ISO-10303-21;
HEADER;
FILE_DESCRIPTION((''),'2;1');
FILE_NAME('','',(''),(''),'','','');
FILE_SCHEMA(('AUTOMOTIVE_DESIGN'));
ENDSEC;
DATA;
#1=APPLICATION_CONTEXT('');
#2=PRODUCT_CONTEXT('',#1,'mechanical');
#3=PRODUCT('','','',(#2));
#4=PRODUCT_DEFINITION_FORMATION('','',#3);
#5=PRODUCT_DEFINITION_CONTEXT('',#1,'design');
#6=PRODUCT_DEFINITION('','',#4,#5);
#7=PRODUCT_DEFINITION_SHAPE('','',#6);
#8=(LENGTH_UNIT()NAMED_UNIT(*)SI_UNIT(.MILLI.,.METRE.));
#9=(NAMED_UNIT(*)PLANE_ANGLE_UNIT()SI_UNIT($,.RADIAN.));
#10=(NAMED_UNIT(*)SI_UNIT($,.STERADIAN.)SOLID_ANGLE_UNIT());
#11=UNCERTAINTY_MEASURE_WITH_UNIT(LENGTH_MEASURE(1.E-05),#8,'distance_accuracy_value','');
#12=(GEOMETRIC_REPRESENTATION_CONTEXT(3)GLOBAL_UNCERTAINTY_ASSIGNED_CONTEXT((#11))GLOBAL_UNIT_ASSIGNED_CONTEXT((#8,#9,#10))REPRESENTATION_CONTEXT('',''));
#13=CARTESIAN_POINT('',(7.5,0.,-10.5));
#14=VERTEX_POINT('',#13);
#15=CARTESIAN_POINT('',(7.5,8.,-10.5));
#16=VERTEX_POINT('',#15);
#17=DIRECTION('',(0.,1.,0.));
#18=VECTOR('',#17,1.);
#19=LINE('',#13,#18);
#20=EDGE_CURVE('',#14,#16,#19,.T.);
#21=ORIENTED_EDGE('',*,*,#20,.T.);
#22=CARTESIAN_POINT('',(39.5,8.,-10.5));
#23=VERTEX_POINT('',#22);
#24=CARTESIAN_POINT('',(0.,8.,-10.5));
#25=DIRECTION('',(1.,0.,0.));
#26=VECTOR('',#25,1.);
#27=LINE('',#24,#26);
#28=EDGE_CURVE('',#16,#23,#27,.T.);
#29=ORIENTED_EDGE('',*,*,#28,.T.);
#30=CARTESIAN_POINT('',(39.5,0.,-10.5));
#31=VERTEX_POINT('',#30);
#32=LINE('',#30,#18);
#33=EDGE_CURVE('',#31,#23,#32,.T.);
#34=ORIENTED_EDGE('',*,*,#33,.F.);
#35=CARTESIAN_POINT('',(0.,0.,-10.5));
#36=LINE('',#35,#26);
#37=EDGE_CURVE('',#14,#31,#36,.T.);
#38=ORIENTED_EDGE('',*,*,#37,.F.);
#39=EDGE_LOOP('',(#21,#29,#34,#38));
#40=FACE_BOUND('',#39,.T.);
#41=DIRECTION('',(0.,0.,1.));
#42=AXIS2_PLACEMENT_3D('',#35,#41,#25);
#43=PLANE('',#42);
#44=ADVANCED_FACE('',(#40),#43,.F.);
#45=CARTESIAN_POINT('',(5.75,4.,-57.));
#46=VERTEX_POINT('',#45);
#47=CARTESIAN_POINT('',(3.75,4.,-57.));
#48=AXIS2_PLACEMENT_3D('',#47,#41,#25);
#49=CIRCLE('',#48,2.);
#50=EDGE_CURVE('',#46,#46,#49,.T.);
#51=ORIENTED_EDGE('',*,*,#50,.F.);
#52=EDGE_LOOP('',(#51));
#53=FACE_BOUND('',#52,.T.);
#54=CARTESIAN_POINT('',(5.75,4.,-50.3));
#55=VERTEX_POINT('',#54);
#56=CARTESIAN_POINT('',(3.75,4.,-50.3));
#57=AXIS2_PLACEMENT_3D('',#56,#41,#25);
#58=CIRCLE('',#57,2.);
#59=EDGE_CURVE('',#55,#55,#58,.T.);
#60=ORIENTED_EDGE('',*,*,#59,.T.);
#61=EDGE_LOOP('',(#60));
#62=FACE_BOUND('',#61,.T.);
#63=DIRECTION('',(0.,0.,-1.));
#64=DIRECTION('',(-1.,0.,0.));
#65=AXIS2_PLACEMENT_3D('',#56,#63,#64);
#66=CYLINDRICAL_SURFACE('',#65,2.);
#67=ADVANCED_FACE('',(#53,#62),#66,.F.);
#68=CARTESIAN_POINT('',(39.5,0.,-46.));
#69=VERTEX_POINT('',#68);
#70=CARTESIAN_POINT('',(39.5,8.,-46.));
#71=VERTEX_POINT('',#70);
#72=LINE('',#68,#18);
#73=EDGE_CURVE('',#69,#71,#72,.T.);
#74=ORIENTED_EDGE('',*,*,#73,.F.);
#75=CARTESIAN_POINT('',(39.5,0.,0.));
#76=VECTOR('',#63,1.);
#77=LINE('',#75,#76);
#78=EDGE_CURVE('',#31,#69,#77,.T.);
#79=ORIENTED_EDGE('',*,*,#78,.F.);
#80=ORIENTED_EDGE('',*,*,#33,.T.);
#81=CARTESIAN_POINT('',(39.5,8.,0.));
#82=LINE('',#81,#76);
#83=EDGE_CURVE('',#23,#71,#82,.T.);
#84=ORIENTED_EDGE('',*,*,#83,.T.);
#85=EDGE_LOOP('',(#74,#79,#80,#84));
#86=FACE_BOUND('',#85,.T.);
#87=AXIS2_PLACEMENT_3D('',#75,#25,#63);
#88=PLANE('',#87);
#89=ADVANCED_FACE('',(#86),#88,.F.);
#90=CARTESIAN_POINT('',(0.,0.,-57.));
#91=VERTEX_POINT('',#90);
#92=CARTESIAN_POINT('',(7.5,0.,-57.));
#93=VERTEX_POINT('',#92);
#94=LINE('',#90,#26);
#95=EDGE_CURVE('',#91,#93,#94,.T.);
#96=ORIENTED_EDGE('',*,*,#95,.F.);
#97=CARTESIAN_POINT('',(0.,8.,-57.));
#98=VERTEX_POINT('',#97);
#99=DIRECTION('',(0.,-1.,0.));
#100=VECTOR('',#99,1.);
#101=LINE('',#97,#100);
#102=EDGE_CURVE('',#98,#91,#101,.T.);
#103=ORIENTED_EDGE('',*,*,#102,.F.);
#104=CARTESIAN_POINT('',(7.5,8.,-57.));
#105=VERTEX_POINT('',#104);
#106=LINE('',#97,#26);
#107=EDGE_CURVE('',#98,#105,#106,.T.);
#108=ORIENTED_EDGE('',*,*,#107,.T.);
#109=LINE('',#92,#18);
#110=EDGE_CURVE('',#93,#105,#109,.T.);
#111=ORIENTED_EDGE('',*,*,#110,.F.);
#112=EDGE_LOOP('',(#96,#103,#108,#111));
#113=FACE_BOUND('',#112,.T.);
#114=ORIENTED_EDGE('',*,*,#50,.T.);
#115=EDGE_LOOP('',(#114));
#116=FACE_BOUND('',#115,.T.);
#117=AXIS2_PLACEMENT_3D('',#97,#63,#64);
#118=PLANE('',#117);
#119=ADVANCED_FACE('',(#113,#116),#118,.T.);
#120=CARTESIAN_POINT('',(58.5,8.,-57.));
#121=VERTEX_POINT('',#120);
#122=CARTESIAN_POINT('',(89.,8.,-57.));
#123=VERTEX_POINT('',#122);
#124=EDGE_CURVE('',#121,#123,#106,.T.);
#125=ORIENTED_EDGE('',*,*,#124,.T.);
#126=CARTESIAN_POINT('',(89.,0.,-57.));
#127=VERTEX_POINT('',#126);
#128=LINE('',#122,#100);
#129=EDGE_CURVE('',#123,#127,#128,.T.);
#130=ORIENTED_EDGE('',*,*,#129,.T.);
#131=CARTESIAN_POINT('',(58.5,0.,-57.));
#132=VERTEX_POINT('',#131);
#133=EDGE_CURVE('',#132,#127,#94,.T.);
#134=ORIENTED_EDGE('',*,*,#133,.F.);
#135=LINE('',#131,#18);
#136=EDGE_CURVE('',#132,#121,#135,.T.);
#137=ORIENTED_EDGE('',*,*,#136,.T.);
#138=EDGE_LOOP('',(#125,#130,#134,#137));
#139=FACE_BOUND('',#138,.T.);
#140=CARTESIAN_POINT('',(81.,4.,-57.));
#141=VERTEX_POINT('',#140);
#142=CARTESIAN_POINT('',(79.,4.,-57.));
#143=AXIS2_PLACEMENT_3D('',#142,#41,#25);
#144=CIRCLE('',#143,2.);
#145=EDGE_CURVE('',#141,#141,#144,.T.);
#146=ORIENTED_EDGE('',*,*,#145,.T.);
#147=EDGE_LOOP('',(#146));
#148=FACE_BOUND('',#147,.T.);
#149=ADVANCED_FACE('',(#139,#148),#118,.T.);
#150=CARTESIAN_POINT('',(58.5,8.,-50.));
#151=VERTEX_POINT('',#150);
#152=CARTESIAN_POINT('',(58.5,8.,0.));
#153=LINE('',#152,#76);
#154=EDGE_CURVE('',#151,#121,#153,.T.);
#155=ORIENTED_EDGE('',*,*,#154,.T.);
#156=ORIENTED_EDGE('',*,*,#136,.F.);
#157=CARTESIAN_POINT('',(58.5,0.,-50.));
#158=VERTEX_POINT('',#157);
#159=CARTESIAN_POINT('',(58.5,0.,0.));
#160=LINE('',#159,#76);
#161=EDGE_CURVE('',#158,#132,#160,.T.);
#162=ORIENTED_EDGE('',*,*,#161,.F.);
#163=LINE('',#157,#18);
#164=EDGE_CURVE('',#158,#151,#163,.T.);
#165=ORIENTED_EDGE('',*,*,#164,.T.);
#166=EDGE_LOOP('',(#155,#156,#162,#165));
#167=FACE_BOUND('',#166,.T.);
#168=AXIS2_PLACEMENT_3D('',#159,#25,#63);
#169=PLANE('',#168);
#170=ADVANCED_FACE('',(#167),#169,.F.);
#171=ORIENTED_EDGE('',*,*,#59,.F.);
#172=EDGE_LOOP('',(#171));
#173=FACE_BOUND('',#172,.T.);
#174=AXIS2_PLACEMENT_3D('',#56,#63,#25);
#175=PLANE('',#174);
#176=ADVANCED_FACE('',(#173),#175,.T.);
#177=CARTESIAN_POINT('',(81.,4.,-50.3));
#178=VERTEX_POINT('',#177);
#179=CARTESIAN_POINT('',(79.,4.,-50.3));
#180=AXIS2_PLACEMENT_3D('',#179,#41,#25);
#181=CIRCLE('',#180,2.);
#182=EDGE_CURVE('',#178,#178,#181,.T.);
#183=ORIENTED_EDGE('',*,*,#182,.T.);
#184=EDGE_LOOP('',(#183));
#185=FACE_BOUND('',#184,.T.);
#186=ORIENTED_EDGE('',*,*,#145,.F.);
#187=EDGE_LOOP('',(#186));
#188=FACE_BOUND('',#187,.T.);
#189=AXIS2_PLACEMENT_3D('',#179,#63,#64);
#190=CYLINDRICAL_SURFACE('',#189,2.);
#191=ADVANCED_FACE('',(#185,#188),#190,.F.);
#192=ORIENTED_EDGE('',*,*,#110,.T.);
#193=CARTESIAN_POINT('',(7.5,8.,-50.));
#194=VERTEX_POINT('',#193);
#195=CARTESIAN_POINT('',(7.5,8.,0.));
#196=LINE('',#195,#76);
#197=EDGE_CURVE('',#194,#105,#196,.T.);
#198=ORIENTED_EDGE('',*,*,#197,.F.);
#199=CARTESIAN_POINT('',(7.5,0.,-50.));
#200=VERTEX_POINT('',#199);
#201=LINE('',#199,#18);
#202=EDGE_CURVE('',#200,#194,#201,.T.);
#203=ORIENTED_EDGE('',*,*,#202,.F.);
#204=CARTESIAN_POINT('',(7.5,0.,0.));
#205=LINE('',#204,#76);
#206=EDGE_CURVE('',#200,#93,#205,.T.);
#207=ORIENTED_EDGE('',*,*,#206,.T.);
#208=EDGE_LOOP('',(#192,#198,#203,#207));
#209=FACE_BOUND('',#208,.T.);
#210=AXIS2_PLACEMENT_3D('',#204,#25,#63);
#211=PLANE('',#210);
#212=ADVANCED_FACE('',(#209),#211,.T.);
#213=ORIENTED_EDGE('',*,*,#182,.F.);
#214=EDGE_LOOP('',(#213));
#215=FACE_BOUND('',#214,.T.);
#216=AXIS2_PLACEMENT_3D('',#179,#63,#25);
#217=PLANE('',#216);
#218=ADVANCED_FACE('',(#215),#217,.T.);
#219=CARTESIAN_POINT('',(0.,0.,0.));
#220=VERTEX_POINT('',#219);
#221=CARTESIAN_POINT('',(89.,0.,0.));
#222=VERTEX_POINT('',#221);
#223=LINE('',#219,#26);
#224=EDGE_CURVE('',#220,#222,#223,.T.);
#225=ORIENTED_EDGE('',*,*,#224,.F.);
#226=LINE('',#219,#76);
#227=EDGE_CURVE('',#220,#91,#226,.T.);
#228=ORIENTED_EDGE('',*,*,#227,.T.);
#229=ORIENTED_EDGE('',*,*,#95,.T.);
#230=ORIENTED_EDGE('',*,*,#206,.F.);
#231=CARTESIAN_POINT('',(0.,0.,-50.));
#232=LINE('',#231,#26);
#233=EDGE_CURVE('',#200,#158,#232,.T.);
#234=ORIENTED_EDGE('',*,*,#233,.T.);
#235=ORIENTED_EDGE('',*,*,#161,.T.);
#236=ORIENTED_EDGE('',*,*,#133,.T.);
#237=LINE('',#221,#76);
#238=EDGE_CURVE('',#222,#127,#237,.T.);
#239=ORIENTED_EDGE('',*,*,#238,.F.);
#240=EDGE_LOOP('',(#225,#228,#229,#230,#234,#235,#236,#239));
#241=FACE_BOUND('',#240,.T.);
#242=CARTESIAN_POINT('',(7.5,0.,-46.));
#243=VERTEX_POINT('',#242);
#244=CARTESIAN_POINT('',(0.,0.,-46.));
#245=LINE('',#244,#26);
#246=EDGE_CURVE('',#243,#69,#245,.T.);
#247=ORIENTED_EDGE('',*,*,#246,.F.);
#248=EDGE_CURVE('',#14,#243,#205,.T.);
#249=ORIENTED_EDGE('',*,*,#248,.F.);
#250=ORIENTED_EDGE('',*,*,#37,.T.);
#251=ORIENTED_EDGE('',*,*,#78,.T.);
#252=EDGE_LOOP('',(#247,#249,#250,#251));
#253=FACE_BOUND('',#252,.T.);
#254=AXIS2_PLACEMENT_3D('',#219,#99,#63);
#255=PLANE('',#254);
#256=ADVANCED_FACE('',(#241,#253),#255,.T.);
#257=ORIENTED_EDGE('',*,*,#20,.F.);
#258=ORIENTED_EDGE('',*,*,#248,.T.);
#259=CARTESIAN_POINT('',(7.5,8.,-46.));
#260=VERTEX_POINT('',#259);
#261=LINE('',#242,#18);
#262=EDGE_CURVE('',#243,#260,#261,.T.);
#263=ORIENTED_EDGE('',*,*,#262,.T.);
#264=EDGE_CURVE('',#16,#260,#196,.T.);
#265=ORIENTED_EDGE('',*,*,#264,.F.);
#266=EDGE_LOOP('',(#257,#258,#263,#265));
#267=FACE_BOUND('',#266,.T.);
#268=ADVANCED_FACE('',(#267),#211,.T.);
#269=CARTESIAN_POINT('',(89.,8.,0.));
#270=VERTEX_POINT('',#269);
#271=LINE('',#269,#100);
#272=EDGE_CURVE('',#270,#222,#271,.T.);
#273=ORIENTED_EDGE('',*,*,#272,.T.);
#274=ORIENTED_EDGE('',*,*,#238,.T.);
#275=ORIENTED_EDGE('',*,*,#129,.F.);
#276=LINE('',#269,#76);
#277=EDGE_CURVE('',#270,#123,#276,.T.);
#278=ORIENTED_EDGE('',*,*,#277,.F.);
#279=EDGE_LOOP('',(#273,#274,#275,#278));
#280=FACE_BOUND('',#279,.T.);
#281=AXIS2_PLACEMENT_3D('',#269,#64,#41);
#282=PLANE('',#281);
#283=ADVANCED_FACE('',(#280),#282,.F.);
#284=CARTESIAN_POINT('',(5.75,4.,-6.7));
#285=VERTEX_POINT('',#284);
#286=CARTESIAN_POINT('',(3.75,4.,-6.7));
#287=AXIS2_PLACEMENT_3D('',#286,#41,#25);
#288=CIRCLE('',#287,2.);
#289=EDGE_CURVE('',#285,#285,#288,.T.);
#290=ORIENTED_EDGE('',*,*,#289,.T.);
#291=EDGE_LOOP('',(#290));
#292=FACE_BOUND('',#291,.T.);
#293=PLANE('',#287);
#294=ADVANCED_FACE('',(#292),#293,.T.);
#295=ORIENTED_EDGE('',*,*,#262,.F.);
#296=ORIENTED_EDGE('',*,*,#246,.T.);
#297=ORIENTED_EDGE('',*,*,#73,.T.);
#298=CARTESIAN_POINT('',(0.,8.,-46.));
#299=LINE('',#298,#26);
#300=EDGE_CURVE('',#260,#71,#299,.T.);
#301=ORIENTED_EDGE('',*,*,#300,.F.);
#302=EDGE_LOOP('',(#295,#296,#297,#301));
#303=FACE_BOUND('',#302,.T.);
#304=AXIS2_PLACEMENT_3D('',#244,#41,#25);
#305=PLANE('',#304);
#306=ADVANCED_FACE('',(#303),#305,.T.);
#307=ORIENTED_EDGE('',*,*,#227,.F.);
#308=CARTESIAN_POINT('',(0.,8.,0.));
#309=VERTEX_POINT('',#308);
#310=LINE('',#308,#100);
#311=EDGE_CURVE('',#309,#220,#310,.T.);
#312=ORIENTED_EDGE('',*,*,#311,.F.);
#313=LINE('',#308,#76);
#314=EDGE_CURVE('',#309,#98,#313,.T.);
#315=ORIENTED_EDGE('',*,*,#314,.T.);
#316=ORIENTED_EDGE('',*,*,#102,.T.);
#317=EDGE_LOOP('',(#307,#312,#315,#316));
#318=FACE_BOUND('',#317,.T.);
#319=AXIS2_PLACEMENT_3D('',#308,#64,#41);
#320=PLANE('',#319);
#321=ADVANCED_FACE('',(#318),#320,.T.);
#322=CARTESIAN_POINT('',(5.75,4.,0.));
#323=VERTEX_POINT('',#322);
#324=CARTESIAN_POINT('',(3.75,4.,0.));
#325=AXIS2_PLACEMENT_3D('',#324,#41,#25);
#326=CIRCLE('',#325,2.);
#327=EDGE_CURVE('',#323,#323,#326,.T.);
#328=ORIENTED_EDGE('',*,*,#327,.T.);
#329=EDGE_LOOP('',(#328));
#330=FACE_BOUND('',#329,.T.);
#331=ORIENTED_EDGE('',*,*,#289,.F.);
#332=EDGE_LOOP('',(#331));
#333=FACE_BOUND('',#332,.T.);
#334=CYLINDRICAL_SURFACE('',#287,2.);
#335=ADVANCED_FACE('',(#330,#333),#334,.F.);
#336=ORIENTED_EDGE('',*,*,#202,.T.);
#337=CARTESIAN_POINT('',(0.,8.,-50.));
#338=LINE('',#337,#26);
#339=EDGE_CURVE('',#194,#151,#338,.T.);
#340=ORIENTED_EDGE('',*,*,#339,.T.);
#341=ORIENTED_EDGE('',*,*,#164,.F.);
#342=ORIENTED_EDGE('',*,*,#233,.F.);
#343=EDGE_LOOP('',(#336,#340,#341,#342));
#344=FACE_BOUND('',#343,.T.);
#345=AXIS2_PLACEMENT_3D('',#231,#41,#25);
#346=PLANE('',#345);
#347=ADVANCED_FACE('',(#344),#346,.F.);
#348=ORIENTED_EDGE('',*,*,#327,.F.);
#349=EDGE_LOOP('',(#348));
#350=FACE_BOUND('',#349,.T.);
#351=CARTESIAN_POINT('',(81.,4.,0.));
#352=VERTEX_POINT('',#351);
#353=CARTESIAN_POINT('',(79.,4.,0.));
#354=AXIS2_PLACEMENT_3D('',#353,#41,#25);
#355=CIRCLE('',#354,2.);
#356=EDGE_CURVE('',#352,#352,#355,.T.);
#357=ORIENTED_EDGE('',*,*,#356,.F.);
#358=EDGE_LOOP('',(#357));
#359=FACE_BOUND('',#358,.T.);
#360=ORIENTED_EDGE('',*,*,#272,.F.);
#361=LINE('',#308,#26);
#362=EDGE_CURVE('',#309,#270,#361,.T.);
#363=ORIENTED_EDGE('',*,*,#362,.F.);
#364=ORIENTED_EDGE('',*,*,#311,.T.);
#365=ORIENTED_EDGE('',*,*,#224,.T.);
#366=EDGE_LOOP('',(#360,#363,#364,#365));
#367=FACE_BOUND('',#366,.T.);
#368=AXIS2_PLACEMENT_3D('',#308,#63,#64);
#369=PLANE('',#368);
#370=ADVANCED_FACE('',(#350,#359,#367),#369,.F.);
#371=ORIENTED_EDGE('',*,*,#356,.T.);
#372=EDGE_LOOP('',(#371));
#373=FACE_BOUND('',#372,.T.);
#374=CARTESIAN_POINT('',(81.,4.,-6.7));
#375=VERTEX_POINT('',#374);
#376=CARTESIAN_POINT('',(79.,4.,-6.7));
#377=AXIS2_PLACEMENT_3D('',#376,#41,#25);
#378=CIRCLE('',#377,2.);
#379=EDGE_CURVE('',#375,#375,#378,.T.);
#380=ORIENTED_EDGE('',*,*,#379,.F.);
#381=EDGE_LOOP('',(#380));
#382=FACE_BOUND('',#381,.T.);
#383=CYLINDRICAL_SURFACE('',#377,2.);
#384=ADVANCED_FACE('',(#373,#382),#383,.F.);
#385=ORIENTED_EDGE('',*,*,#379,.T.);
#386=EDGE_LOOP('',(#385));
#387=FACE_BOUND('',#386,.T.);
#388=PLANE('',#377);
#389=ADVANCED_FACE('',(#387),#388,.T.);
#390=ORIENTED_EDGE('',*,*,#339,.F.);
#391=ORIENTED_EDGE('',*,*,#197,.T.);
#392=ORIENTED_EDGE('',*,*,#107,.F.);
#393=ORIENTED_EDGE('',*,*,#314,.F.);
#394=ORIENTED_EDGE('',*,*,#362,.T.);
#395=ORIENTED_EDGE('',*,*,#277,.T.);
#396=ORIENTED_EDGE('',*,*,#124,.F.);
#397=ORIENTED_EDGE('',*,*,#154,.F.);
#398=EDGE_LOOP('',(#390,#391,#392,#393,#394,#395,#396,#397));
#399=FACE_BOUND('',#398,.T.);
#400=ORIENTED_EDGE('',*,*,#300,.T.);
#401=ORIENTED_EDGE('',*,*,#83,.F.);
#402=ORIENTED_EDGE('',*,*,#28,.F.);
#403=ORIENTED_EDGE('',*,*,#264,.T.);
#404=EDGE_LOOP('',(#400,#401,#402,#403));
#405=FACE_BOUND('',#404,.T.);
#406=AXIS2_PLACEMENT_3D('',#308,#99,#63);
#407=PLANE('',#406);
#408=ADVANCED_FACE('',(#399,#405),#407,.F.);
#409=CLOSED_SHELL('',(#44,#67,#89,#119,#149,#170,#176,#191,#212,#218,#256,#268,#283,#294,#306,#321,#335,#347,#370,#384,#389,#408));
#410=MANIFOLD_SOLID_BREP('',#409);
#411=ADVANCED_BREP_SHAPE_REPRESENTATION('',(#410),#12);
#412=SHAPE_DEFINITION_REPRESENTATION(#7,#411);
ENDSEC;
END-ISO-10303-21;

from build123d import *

# Parameters (mm, degrees)
SKETCH1_W           = 89
SKETCH1_H           = 57
BOSS_EXTRUDE1_DEPTH = 8
SKETCH2_W           = 32
SKETCH2_H           = 35.5
SKETCH2_H_2         = 6
SKETCH2_W_2         = 19
SKETCH2_H_3         = 1
CUT_EXTRUDE2_DEPTH  = 106.990565618
SKETCH3_R           = 2
CUT_EXTRUDE3_DEPTH  = 6.7


with BuildPart() as part:
    # Sketch1 → Boss-Extrude1 (new body)
    with BuildSketch(Plane(origin=(0, 0, 0), x_dir=(1, 0, 0), z_dir=(0, 1, 0))):
        with Locations((44.5, 28.5)):
            Rectangle(SKETCH1_W, SKETCH1_H)
    extrude(amount=BOSS_EXTRUDE1_DEPTH)

    # Sketch2 → Cut-Extrude2 (cut, through all)
    with BuildSketch(Plane(origin=(0, 8, 0), x_dir=(1, 0, 0), z_dir=(0, 1, 0))):
        with Locations((23.5, 28.25)):
            Rectangle(SKETCH2_W, SKETCH2_H)
        with Locations((23.5, 53)):
            Rectangle(SKETCH2_W, SKETCH2_H_2)
        with Locations((49, 53)):
            Rectangle(SKETCH2_W_2, SKETCH2_H_2)
        with Locations((49, 56.5)):
            Rectangle(SKETCH2_W_2, SKETCH2_H_3)
        with Locations((23.5, 56.5)):
            Rectangle(SKETCH2_W, SKETCH2_H_3)
    extrude(amount=-CUT_EXTRUDE2_DEPTH, mode=Mode.SUBTRACT)

    # Sketch3 → Cut-Extrude3 (cut)
    with BuildSketch(Plane.XY):
        with Locations((3.75, 4)):
            Circle(SKETCH3_R)
        with Locations((79, 4)):
            Circle(SKETCH3_R)
    cut_extrude3 = extrude(amount=-CUT_EXTRUDE3_DEPTH, mode=Mode.SUBTRACT)

    # Mirror1: Cut-Extrude3 across plane
    add(cut_extrude3.mirror(Plane.XY.offset(-28.5)), mode=Mode.SUBTRACT)


solid = part.part
